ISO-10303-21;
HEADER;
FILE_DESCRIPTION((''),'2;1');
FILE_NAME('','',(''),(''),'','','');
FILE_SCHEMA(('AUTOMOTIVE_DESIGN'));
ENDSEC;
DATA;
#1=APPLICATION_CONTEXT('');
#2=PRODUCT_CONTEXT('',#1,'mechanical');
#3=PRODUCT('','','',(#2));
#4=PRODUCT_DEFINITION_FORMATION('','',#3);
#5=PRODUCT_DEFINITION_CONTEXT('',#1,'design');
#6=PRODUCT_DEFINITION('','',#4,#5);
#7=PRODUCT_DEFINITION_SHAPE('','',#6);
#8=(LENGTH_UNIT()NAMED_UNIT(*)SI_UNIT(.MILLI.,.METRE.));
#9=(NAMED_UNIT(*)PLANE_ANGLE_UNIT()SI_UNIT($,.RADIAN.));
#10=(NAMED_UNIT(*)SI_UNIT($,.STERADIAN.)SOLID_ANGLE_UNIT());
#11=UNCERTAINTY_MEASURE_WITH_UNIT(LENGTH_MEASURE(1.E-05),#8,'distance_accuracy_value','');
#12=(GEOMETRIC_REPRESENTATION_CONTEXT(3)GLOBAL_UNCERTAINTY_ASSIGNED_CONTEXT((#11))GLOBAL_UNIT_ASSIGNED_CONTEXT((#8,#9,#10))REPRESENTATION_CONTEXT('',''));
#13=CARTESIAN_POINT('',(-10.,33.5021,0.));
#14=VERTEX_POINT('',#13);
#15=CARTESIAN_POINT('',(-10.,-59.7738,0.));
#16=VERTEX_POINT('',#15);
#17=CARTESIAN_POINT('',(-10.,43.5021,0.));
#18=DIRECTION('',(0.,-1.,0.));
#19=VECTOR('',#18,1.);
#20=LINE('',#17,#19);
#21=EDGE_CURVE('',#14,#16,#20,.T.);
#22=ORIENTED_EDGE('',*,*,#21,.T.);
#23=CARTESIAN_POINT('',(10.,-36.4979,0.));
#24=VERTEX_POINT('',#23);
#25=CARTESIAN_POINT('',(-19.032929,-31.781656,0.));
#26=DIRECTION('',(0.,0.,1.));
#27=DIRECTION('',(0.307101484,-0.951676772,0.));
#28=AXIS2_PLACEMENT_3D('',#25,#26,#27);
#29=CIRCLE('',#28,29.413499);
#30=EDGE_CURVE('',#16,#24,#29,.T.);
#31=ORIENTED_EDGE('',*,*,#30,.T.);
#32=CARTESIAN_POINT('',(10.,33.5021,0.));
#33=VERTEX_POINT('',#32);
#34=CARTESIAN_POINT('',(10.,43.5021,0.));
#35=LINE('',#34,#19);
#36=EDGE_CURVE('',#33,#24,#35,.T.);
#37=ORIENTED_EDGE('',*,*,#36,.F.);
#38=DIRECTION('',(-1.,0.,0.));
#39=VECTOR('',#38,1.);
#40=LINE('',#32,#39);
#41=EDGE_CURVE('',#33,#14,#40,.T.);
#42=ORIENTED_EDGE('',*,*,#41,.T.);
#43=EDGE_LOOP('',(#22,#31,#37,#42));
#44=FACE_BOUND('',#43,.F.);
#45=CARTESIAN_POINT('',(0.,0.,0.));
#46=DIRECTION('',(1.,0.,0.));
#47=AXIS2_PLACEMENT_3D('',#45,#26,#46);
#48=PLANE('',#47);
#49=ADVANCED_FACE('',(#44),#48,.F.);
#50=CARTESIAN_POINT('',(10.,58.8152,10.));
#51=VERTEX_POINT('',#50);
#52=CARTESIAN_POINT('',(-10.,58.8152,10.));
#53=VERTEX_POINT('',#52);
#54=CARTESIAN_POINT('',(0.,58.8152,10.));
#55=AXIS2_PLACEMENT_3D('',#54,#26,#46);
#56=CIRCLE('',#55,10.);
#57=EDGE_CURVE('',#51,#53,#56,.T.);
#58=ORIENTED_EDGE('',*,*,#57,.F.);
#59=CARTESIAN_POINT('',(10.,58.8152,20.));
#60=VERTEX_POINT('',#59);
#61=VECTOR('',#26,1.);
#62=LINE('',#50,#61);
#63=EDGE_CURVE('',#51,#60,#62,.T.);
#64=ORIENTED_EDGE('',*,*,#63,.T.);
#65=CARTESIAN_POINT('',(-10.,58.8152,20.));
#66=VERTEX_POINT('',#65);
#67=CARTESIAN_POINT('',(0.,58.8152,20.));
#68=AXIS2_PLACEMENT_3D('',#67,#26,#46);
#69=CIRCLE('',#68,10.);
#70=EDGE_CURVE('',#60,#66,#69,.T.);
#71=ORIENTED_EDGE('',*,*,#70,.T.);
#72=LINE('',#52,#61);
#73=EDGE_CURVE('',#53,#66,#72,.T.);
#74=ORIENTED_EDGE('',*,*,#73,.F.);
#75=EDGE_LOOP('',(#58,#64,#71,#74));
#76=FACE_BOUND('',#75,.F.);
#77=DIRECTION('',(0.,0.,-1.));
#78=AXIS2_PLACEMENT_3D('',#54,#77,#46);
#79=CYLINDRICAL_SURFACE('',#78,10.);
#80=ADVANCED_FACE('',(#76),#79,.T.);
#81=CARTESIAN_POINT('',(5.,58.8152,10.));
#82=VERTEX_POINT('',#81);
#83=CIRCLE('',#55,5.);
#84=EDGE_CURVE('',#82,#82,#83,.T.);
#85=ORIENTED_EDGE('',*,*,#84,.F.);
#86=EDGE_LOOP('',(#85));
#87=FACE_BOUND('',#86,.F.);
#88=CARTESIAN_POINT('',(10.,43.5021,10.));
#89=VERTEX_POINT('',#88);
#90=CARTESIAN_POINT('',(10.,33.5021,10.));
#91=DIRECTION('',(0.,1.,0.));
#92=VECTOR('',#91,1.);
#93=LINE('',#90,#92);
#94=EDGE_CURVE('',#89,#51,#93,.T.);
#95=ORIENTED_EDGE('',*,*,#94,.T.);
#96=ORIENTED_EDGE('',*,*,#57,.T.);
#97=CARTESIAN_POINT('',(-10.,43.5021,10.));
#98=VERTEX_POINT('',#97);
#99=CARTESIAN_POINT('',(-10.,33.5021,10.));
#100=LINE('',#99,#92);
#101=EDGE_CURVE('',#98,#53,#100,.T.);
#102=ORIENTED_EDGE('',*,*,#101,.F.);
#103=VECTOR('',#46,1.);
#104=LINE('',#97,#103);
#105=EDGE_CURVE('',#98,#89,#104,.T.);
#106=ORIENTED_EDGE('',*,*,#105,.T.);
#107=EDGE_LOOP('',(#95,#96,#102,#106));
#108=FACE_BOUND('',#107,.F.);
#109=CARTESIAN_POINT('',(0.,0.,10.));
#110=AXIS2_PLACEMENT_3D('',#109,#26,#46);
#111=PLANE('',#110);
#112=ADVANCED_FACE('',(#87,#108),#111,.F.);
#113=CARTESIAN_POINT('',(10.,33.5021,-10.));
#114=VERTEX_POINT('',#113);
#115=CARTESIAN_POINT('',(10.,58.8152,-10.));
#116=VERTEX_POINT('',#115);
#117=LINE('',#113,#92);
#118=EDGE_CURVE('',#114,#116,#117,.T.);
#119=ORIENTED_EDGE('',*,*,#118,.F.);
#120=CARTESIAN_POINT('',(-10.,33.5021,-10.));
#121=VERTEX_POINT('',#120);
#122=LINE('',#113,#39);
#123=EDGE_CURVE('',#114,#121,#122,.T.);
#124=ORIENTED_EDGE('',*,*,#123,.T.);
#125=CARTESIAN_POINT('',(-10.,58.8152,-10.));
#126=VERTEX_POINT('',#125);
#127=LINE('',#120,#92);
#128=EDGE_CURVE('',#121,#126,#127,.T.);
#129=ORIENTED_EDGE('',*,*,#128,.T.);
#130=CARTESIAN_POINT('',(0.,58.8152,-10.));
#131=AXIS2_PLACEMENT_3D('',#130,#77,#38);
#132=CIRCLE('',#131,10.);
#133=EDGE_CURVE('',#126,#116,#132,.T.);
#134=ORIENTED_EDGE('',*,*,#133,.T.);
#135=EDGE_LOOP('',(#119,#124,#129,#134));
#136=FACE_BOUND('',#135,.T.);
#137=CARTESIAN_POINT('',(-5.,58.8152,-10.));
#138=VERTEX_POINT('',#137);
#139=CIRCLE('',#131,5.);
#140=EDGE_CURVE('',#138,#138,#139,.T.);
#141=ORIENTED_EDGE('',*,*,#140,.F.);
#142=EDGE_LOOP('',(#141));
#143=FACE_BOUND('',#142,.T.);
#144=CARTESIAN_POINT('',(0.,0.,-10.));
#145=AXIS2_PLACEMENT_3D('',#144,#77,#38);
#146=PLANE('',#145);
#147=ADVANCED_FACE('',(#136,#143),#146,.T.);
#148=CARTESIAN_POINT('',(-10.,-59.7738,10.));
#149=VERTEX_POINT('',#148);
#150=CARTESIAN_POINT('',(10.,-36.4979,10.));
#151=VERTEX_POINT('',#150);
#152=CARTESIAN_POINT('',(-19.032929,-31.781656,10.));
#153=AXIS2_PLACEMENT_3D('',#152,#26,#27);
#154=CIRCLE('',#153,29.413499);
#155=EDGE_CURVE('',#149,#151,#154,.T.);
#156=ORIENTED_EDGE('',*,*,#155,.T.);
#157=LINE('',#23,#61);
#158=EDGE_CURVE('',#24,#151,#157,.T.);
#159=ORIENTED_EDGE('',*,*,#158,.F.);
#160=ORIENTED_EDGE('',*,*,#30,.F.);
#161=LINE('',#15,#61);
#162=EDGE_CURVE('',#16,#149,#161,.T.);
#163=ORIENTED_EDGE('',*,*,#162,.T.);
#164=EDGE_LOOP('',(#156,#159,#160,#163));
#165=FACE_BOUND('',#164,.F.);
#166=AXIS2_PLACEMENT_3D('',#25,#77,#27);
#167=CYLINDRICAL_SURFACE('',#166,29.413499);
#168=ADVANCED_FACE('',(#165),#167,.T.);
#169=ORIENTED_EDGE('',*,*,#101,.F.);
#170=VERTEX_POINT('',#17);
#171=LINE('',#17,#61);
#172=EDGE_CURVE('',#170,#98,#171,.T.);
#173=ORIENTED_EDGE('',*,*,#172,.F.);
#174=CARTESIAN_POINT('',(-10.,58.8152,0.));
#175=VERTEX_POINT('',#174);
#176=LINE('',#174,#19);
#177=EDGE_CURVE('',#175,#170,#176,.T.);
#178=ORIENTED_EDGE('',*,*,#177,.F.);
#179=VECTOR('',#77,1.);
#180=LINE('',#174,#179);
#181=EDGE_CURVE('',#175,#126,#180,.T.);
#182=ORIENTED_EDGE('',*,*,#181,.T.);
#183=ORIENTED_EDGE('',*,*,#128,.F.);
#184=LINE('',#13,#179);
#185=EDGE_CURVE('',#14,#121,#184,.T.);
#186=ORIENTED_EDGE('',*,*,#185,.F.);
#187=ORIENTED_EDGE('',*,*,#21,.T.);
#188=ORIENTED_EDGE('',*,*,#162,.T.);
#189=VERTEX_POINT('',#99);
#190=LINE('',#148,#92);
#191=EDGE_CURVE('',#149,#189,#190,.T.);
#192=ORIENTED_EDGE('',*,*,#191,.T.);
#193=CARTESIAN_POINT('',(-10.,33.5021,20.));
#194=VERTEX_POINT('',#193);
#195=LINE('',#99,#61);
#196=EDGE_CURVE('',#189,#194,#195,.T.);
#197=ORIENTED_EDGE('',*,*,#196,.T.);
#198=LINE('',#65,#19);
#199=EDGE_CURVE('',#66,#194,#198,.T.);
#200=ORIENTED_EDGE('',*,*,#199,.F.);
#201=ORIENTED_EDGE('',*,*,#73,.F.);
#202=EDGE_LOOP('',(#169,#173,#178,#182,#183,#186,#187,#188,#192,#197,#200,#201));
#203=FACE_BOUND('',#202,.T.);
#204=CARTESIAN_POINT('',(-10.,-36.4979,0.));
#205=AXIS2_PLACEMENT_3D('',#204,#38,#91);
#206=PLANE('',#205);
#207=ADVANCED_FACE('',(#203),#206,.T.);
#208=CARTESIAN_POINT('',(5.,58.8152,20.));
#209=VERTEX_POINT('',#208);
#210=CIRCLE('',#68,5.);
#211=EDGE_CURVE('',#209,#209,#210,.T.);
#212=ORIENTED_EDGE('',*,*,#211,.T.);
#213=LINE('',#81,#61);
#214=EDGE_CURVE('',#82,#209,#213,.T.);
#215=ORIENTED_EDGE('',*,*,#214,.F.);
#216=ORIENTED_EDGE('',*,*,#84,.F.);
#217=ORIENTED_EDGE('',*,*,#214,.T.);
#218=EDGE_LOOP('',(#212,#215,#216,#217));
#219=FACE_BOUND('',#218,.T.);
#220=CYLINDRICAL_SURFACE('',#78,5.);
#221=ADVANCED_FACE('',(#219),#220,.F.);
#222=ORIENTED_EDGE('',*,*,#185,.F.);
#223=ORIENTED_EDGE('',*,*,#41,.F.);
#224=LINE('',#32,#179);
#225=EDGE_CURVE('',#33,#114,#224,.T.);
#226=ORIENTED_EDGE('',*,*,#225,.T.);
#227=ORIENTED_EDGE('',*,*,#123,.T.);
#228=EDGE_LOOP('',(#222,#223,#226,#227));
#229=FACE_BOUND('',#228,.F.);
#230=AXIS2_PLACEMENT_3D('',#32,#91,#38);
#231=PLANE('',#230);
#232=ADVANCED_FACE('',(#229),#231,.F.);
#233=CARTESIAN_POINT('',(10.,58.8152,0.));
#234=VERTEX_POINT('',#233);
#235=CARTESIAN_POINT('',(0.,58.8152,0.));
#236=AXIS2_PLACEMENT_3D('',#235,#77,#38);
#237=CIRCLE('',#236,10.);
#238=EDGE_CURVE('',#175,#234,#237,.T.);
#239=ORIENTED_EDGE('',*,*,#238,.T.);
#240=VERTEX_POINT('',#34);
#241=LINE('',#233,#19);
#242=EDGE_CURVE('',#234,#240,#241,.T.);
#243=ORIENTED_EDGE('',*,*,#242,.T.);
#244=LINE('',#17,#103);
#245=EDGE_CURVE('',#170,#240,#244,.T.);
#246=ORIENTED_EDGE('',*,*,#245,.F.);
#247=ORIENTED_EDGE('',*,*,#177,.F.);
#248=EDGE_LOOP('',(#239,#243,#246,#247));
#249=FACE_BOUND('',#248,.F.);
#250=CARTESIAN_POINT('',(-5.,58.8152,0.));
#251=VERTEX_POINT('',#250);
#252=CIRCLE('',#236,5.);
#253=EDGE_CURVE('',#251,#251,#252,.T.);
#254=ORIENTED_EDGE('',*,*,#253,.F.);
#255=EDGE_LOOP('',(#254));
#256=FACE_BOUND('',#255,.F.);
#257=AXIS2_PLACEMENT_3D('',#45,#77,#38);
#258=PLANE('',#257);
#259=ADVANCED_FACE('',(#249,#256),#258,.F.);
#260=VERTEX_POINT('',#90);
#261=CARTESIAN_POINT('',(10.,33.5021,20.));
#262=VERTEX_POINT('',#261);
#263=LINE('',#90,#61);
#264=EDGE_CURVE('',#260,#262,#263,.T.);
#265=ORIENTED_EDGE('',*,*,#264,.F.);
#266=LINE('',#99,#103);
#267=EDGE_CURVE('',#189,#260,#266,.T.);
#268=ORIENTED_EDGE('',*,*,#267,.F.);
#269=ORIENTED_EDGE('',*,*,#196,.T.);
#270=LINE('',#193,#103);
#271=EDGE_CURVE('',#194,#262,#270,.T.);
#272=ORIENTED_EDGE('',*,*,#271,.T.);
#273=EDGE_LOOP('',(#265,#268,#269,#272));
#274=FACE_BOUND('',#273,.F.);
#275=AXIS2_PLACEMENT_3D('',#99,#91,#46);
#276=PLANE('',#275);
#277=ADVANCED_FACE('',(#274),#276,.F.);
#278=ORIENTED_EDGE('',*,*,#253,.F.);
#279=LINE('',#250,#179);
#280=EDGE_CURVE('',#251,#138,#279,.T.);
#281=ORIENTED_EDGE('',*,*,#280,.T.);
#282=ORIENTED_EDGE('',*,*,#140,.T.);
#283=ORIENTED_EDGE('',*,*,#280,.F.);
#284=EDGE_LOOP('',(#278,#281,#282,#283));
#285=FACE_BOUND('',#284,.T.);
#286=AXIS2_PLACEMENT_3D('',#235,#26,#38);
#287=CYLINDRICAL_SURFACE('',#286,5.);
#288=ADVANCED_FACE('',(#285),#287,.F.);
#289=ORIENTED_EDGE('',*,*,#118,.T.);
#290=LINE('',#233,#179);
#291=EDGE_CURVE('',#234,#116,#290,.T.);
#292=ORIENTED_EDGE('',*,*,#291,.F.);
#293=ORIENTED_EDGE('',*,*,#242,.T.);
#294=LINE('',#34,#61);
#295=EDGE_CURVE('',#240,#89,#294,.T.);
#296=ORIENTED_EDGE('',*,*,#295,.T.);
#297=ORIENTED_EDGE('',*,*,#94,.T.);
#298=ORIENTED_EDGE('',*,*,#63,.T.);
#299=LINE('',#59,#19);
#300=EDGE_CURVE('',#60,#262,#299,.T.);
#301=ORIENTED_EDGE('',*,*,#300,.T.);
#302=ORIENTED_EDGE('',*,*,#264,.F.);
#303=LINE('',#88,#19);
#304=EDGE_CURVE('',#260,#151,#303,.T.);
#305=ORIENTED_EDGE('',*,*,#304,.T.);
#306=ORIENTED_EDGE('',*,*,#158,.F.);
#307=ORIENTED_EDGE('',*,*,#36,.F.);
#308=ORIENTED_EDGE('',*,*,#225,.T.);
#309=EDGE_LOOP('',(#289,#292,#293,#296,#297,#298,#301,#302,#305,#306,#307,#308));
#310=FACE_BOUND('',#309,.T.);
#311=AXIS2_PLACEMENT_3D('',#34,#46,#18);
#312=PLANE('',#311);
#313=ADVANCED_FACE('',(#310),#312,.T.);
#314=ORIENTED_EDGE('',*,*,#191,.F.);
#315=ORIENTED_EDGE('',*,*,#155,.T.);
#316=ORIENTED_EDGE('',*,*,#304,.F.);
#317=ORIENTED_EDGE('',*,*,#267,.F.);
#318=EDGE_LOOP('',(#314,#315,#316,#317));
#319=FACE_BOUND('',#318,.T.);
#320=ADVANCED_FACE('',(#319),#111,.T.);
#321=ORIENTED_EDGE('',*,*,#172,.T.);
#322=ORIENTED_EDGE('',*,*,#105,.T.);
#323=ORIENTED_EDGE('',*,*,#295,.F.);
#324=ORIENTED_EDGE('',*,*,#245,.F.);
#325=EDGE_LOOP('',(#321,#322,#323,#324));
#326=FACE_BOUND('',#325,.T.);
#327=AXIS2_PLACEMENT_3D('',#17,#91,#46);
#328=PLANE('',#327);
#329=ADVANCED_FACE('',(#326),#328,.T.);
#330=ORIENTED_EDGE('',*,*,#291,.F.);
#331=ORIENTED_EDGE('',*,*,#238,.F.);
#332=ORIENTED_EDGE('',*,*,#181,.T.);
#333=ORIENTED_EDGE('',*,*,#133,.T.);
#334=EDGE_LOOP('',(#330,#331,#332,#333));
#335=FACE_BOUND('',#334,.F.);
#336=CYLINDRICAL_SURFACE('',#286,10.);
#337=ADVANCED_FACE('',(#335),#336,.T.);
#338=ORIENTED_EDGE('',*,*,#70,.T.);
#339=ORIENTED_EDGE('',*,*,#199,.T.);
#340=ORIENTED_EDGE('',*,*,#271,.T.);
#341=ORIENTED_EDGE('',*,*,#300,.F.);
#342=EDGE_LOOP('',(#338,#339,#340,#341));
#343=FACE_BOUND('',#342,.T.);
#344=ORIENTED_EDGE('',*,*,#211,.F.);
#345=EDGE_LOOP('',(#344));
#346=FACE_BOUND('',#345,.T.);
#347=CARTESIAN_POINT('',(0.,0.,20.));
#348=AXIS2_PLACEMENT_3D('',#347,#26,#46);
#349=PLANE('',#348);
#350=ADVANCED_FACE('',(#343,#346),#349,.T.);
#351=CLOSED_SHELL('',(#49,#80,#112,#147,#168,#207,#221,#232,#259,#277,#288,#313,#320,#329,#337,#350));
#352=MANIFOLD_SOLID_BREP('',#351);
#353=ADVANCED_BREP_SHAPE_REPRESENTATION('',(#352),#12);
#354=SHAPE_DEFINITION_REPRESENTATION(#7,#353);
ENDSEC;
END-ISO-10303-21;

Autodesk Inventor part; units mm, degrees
ref_plane "YZ Plane" through (0, 0, 0) normal (1, 0, 0) x (0, 1, 0)
ref_plane "XZ Plane" through (0, 0, 0) normal (0, 1, 0) x (-1, 0, 0)
ref_plane "XY Plane" through (0, 0, 0) normal (0, 0, 1) x (1, 0, 0)
sketch "Sketch1" plane through (0, 0, 0) normal (0, 0, 1) x (1, 0, 0)
  line L0 (-10, 43.5021) -> (10, 43.5021)
  line L1 (10, 43.5021) -> (10, -36.4979)
  line L2 (10, -36.4979) -> (-10, -36.4979)
  line L3 (-10, -36.4979) -> (-10, 43.5021)
  arc A0 (-10, -59.7738) -> (10, -36.4979) centre (-19.0329, -31.7817) ccw
  line L4 (-10, -59.7738) -> (-10, -36.4979)
  point P0 (0, 0)
  dimension "d0" = 20
  dimension "d1" = 10
  dimension "d2" = 80
extrude "Extrusion1" add sketch "Sketch1" along normal blind 10
sketch "Sketch2" plane through (0, 0, 10) normal (0, 0, 1) x (1, 0, 0)
  line L0 (-10, 43.5021) -> (-10, -59.7738) projected
  line L1 (-10, 33.5021) -> (10, 33.5021)
  line L2 (10, 33.5021) -> (10, 58.8152)
  line L3 (-10, 58.8152) -> (-10, 33.5021)
  line L4 (10, 43.5021) -> (-10, 43.5021) projected
  arc A0 (10, 58.8152) -> (-10, 58.8152) centre (0, 58.8152) ccw
  circle A1 centre (0, 58.8152) radius 5
  point P0 (0, 0)
  dimension "d5" = 20
  dimension "d6" = 10
  dimension "d7" = 10
extrude "Extrusion2" add sketch "Sketch2" along normal blind 10
sketch "Sketch3" plane through (0, 0, 0) normal (0, 0, -1) x (-1, 0, 0)
  point P0 (0, 0)
sketch "Sketch4" plane through (0, 0, 0) normal (0, 0, -1) x (-1, 0, 0)
  line L0 (-10, -36.4979) -> (-10, 43.5021) projected
  arc A0 (10, 58.8152) -> (-10, 58.8152) centre (0, 58.8152) ccw projected
  line L1 (-10, 33.5021) -> (10, 33.5021)
  line L2 (10, 33.5021) -> (10, 58.8152)
  line L3 (-10, 58.8152) -> (-10, 33.5021)
  line L4 (-10, 43.5021) -> (10, 43.5021) projected
  arc A1 (10, 58.8152) -> (-10, 58.8152) centre (0, 58.8152) ccw
  circle A2 centre (0, 58.8152) radius 5
  point P0 (0, 0)
  point P1 (-10, 58.8152)
  dimension "d10" = 10
extrude "Extrusion3" add sketch "Sketch4" along normal blind 10
properties part number "foot"
